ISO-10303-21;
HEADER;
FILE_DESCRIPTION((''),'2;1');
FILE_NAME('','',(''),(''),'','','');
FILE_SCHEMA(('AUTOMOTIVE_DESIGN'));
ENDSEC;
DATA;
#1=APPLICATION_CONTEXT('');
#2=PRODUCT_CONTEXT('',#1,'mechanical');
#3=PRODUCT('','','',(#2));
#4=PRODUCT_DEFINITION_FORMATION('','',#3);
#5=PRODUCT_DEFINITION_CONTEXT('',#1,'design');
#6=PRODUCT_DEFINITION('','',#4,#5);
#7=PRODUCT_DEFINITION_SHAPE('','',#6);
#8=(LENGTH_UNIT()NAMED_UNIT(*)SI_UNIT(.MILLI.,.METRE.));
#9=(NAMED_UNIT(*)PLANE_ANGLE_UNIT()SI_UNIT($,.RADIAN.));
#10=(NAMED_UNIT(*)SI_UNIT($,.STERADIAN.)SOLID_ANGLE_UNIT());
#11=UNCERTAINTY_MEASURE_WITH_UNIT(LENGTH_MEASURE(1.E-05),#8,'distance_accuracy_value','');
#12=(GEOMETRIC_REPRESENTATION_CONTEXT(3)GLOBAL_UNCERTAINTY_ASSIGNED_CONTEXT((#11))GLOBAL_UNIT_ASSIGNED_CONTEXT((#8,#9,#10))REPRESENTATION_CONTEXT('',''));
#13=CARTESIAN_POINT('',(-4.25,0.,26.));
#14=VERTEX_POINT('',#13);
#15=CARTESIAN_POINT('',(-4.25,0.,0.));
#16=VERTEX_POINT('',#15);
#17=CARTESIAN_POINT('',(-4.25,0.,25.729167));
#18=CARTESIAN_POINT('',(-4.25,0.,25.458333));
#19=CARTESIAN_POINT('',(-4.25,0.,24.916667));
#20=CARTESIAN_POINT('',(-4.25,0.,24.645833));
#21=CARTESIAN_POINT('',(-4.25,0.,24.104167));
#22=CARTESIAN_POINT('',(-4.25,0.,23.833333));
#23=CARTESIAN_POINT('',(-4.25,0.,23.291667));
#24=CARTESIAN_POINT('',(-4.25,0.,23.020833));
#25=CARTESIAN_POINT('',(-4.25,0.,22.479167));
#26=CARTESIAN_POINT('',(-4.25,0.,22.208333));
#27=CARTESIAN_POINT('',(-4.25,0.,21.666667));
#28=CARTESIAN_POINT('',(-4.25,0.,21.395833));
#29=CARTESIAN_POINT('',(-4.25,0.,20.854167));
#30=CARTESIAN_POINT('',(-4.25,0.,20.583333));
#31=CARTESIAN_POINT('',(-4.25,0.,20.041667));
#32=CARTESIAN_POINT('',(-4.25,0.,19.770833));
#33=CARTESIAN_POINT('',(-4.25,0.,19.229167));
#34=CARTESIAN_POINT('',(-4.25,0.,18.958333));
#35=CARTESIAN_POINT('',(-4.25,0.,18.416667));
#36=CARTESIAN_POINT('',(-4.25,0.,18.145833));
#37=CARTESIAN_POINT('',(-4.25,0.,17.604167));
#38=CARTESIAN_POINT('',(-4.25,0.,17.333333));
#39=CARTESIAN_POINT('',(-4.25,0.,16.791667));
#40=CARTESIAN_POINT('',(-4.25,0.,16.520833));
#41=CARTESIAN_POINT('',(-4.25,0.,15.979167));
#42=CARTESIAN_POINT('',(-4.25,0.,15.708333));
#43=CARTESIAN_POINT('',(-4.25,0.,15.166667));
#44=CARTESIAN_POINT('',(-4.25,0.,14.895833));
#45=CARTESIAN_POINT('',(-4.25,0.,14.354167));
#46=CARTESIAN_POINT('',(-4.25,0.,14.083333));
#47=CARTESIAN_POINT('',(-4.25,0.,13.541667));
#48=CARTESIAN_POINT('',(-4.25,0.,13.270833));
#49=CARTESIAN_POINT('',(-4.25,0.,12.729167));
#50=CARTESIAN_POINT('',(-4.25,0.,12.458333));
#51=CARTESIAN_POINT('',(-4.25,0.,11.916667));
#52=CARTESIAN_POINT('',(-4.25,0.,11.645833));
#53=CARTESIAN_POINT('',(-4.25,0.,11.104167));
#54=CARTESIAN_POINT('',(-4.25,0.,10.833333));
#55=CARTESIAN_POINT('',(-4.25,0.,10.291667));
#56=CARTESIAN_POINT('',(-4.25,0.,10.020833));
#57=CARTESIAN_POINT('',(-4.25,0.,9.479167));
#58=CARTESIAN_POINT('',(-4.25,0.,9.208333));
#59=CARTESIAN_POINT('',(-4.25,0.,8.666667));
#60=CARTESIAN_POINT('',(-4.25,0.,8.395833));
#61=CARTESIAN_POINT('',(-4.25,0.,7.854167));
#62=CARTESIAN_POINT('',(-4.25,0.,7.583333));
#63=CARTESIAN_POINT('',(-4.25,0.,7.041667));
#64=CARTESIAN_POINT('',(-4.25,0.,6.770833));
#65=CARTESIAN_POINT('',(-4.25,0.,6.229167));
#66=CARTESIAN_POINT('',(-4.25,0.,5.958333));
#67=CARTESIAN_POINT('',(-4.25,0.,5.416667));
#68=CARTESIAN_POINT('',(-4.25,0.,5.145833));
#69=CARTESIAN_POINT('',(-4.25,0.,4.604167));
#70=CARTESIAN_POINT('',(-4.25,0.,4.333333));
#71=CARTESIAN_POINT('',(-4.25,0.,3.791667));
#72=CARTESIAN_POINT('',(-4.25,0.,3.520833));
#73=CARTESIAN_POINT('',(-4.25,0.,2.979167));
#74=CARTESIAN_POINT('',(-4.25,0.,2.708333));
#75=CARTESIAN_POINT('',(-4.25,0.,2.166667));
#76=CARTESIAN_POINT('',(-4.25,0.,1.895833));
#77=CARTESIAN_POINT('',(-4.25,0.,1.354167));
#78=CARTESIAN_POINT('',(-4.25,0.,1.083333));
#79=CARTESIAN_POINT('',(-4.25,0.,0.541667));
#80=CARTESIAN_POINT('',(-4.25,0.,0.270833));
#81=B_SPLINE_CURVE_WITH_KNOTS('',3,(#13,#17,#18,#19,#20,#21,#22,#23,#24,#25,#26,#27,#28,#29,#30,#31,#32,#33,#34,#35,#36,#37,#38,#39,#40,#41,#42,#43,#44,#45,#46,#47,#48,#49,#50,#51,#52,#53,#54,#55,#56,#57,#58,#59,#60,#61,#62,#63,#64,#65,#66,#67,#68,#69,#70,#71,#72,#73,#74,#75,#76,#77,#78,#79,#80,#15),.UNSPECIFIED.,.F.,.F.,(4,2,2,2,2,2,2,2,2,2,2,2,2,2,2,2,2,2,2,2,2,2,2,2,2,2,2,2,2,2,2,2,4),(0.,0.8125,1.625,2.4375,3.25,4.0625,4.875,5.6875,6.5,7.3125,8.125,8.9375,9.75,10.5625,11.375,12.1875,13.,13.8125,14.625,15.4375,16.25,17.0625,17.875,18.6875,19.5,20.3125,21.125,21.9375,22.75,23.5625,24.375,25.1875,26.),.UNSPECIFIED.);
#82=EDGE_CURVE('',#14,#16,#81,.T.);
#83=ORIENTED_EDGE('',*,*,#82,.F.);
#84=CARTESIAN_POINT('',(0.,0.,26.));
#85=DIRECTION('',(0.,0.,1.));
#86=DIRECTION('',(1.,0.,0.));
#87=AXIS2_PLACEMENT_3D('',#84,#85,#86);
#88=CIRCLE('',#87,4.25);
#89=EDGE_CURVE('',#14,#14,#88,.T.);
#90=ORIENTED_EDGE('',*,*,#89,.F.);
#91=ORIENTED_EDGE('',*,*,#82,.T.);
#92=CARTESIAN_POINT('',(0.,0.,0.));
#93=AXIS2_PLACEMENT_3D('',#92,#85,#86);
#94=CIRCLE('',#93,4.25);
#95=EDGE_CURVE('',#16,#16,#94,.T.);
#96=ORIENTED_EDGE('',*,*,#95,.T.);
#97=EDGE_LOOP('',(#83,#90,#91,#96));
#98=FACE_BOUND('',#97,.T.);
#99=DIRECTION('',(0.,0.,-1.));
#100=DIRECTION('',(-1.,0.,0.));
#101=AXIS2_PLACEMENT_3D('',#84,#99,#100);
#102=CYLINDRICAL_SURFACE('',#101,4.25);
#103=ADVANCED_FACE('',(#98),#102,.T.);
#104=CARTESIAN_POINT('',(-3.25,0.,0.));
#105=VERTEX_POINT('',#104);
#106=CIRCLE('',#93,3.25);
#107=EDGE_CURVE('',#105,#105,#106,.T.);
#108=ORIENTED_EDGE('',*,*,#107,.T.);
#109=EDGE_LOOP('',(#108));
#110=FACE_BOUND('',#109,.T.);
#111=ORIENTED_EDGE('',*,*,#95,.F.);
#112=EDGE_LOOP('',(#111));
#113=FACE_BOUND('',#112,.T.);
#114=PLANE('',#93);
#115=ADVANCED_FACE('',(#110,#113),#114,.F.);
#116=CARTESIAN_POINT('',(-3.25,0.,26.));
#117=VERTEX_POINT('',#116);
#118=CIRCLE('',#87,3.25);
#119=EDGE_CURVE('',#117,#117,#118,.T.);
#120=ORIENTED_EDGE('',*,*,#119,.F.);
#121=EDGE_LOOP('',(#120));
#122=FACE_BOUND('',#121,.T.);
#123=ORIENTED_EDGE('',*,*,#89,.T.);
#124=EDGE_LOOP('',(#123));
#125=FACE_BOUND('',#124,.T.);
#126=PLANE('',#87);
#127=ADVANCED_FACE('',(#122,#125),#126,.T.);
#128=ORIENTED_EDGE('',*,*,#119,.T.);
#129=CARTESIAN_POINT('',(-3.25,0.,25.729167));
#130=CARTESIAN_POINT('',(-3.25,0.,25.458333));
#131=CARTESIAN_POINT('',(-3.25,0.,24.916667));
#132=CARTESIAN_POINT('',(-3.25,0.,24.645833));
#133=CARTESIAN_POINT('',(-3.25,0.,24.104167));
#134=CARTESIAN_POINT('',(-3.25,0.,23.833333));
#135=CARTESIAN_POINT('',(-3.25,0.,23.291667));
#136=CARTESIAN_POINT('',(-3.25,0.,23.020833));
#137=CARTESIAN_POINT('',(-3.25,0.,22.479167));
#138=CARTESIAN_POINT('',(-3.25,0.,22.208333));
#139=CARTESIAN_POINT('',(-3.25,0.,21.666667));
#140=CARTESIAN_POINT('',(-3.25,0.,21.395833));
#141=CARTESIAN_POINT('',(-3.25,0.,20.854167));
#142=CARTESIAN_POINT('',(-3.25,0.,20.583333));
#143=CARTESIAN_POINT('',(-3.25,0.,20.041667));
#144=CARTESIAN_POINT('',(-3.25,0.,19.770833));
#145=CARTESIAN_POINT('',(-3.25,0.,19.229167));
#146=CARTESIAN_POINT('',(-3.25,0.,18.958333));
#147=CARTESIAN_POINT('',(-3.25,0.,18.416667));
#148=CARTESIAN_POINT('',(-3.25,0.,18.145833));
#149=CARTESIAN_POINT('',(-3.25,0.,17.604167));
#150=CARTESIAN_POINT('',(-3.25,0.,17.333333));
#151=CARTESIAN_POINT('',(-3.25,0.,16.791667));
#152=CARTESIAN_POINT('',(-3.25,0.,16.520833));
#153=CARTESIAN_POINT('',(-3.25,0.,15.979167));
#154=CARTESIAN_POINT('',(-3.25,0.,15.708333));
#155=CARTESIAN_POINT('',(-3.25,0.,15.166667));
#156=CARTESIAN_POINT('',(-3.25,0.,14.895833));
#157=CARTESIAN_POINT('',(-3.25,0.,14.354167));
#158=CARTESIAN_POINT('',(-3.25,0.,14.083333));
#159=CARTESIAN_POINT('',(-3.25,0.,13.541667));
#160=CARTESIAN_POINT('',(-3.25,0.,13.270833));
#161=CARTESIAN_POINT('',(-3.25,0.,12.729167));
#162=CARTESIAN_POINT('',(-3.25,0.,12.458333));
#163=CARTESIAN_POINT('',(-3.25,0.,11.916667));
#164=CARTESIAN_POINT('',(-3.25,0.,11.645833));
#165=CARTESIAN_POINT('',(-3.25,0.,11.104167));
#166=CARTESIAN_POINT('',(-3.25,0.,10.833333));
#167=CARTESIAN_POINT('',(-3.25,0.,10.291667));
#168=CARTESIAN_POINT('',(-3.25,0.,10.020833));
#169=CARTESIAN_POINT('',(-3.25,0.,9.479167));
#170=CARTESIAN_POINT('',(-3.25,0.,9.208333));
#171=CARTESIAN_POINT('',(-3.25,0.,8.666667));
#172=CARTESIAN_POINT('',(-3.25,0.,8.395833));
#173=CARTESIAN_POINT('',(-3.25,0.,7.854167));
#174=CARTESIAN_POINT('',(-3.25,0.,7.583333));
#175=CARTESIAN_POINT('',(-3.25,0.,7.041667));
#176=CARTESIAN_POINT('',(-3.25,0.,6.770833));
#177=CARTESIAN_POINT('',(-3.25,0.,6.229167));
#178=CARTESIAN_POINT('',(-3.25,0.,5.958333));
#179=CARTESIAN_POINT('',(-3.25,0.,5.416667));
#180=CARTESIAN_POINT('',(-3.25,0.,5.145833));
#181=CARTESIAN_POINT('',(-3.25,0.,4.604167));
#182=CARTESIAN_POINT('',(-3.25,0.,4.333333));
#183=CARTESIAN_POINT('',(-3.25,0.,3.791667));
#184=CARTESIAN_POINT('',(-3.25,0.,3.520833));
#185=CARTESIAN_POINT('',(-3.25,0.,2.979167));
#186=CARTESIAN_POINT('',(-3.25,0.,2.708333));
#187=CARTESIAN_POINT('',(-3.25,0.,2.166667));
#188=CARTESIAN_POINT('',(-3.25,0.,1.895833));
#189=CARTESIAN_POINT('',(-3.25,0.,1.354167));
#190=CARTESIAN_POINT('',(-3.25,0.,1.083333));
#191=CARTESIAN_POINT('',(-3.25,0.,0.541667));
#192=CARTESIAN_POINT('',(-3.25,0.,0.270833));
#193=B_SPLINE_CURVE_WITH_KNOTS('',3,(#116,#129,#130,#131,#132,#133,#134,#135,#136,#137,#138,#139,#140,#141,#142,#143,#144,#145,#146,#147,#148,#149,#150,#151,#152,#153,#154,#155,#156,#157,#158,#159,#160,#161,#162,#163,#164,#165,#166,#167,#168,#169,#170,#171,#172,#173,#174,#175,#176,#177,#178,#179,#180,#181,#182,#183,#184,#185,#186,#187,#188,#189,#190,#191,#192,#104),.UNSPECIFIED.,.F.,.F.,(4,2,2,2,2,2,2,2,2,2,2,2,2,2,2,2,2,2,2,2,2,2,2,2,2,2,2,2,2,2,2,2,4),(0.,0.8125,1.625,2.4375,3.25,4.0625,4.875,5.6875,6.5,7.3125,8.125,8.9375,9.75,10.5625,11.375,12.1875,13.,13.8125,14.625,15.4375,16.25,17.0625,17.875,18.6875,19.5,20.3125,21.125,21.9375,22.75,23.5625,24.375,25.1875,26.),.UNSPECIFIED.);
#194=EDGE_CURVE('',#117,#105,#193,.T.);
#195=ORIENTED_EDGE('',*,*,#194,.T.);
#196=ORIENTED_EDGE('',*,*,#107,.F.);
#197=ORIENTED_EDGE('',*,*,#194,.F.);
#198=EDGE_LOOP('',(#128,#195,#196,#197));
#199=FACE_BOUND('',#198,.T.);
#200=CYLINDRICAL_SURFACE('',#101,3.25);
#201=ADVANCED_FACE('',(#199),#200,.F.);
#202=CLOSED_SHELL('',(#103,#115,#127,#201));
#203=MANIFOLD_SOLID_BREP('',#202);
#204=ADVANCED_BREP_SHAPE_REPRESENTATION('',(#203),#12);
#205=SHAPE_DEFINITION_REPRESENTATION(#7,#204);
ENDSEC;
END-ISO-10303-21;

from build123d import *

# Parameters (mm, degrees)
SCHIZZO1_R                   = 4.25
SCHIZZO1_R_2                 = 3.25
ESTRUSIONE_ESTRUSIONE1_DEPTH = 26


with BuildPart() as part:
    # Schizzo1 → Estrusione-Estrusione1 (new body)
    with BuildSketch(Plane.XY):
        with Locations(Location((0, 0, 0), (0, 0, 180))):
            Circle(SCHIZZO1_R)
        with Locations(Location((0, 0, 0), (0, 0, 180))):
            Circle(SCHIZZO1_R_2, mode=Mode.SUBTRACT)
    extrude(amount=ESTRUSIONE_ESTRUSIONE1_DEPTH)


solid = part.part
